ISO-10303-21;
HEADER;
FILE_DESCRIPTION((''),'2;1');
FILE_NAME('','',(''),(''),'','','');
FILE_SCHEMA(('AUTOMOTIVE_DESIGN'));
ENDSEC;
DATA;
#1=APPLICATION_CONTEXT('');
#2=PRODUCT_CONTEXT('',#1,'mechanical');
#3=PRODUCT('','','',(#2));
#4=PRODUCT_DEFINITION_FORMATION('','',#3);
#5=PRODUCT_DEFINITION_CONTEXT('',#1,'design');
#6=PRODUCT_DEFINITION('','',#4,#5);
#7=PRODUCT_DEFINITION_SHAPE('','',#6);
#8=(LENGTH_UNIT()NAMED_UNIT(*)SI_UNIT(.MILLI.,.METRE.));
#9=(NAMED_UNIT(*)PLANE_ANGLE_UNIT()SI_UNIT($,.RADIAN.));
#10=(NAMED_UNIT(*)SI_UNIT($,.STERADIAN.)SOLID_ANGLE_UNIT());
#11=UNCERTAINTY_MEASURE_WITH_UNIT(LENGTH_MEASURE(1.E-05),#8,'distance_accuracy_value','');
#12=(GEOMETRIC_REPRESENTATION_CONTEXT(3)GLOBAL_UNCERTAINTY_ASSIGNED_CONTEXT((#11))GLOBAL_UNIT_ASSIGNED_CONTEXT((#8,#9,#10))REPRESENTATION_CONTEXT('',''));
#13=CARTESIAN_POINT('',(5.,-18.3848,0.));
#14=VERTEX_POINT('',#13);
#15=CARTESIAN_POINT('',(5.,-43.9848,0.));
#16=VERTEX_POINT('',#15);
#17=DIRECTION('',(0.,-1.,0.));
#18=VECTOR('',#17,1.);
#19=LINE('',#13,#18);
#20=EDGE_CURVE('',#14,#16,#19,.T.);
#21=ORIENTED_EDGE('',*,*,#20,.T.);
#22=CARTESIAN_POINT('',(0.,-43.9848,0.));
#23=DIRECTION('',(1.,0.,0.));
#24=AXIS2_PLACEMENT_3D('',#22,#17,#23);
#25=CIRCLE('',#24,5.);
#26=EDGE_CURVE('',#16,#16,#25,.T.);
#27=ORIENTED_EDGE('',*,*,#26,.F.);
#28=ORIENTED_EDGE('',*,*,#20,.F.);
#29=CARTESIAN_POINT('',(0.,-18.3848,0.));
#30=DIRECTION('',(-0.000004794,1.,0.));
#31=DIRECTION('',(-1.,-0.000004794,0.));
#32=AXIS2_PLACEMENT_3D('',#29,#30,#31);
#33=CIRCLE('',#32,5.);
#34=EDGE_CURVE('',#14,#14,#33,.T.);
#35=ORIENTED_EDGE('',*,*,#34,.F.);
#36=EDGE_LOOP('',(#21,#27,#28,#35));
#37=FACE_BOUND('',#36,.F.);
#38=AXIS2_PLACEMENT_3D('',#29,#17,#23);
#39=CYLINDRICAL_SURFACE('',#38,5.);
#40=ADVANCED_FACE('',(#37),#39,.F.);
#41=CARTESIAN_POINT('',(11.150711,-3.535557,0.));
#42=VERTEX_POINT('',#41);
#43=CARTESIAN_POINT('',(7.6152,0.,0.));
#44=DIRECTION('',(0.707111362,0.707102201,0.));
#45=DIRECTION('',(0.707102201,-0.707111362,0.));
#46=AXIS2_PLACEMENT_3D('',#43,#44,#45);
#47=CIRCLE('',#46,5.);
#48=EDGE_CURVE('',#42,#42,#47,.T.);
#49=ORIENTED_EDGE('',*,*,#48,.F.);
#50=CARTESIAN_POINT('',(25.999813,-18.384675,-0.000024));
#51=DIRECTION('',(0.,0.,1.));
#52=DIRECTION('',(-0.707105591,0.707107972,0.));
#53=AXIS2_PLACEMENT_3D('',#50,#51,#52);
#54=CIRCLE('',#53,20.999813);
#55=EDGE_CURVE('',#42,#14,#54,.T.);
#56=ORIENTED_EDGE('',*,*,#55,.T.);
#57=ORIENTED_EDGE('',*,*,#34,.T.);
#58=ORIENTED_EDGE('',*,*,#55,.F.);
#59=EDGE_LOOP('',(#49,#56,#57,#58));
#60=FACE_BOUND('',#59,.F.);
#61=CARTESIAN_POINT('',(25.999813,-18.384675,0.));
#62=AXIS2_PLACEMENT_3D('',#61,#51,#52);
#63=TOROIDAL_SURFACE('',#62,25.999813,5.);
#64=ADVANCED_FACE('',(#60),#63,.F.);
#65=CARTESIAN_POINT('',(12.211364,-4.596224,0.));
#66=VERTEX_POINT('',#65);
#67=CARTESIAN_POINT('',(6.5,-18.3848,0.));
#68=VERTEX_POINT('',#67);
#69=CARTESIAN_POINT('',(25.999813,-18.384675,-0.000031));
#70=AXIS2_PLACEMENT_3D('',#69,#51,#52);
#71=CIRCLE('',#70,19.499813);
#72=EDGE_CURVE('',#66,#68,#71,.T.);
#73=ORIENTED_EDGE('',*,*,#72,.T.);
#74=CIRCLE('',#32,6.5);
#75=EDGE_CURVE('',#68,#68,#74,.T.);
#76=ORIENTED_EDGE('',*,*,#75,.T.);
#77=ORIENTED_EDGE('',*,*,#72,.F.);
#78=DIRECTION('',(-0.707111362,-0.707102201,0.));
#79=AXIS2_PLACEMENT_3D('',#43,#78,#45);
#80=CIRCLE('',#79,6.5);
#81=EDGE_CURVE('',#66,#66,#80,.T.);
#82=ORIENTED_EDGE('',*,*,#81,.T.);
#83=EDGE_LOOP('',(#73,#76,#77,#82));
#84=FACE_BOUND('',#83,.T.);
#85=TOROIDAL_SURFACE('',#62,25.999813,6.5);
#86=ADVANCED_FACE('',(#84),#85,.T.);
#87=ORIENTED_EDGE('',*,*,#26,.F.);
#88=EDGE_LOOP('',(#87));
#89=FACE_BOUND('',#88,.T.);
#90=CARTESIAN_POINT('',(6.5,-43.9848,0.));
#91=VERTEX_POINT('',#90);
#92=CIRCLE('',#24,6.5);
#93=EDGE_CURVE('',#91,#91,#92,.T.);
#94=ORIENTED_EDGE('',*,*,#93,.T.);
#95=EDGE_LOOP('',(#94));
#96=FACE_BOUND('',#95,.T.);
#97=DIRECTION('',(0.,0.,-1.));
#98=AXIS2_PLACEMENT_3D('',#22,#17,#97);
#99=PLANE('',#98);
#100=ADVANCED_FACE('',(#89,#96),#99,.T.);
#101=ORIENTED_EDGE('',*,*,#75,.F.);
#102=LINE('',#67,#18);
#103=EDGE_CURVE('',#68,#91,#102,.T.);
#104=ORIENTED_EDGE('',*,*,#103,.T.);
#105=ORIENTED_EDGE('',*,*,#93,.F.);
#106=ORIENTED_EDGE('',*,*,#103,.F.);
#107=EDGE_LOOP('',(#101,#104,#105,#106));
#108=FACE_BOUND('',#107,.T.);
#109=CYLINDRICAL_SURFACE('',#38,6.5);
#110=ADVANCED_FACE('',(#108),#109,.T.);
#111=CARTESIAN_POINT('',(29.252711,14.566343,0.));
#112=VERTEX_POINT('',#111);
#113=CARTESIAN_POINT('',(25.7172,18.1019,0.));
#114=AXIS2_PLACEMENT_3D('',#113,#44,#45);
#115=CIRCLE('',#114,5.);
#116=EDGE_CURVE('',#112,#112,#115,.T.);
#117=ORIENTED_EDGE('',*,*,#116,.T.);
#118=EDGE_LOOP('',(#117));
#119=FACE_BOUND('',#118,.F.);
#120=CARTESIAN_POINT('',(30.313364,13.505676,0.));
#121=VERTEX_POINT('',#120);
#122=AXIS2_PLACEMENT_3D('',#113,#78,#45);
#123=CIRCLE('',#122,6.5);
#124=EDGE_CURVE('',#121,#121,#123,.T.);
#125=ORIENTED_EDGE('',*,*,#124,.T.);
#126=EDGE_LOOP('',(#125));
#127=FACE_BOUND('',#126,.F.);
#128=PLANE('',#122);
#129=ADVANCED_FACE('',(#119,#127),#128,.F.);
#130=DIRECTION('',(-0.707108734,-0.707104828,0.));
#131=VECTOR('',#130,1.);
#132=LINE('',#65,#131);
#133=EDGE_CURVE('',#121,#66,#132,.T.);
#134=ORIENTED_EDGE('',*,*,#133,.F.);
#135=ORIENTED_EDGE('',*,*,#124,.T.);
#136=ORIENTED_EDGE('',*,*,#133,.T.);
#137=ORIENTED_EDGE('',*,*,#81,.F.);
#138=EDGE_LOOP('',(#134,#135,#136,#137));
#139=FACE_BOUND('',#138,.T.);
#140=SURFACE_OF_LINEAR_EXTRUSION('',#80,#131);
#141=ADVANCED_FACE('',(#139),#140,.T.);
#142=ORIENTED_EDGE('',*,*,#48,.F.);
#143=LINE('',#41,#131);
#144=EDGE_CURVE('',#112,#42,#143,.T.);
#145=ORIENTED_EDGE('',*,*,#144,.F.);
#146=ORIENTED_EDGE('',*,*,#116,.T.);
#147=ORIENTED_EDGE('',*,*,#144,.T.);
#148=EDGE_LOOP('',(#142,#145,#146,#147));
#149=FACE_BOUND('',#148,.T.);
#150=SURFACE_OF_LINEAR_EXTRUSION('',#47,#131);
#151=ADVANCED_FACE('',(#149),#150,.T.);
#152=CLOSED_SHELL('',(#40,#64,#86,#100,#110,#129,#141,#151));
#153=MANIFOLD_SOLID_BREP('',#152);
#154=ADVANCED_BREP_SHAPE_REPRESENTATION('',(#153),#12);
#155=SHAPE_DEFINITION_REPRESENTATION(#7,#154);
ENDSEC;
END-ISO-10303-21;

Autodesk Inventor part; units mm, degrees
ref_plane "YZ Plane" through (0, 0, 0) normal (1, 0, 0) x (0, 1, 0)
ref_plane "XZ Plane" through (0, 0, 0) normal (0, 1, 0) x (-1, 0, 0)
sketch "Szkic6" plane through (0, 0, 0) normal (0, 0, 1) x (1, 0, 0)
  line L0 (-29.6067, 0) -> (35.2678, 0) construction
  line L1 (0, 42.3419) -> (0, -58.3726) construction
  arc A0 (7.6152, 0) -> (0, -18.3848) centre (26, -18.3848) ccw
  line L2 (0, -18.3848) -> (26, -18.3848) construction
  line L3 (26, -18.3848) -> (-20.3389, 27.9541) construction
  line L4 (7.6152, 0) -> (25.7172, 18.1019)
  line L5 (0, -18.3848) -> (0, -43.9848)
  point P0 (0, 0)
  dimension "d24" = 70
  dimension "d31" = 90
  dimension "d36" = 40
  dimension "d37" = 40
ref_plane "Płaszczyzna konstrukcyjna2" through (0, -18.3848, 0) normal (0, -1, 0) x (1, 0, 0)
sketch "Szkic8" plane through (0, -18.3848, 0) normal (0, -1, 0) x (1, 0, 0)
  circle A0 centre (0, 0) radius 6.5
  circle A1 centre (0, 0) radius 5
  dimension "d32" = 53
  dimension "d33" = 1.5
sweep "Przeciągnięcie2" add profiles "Szkic8" path "Szkic6"
equation "\"d32\" = OD"
equation "\"d33\" = THK"
equation "\"d24\" = R"
equation "\"d31\" = KAT"
equation "\"d36\" = PROSTKA"
equation "\"d37\" = PROSTKA"
equation "\"SzerokośćGięciaPodcięcia\" = Grubość"
equation "\"RozmiarPodcięciaNarożnika\" = 4 * Grubość"
equation "\"PromieńPrzejścia\" = PromieńGięcia"
equation "\"Rozmiar_promienia_Jacobiego\" = PromieńGięcia"
equation "\"Wielk_odstępu\" = Grubość"
equation "\"d2\" = PromieńGięcia"
equation "\"d23\" = PromieńGięcia"
equation "\"OD\" = 53"
equation "\"THK\" = 1.5"
equation "\"KAT\" = 90deg"
equation "\"R\" = 70"
equation "\"PROSTKA\" = 40"
equation "\"Grubość\" = 1.5"
equation "\"PromieńGięcia\" = 3"
properties part number "Kolano 90° ø53x1,5 R70" material "304L"
